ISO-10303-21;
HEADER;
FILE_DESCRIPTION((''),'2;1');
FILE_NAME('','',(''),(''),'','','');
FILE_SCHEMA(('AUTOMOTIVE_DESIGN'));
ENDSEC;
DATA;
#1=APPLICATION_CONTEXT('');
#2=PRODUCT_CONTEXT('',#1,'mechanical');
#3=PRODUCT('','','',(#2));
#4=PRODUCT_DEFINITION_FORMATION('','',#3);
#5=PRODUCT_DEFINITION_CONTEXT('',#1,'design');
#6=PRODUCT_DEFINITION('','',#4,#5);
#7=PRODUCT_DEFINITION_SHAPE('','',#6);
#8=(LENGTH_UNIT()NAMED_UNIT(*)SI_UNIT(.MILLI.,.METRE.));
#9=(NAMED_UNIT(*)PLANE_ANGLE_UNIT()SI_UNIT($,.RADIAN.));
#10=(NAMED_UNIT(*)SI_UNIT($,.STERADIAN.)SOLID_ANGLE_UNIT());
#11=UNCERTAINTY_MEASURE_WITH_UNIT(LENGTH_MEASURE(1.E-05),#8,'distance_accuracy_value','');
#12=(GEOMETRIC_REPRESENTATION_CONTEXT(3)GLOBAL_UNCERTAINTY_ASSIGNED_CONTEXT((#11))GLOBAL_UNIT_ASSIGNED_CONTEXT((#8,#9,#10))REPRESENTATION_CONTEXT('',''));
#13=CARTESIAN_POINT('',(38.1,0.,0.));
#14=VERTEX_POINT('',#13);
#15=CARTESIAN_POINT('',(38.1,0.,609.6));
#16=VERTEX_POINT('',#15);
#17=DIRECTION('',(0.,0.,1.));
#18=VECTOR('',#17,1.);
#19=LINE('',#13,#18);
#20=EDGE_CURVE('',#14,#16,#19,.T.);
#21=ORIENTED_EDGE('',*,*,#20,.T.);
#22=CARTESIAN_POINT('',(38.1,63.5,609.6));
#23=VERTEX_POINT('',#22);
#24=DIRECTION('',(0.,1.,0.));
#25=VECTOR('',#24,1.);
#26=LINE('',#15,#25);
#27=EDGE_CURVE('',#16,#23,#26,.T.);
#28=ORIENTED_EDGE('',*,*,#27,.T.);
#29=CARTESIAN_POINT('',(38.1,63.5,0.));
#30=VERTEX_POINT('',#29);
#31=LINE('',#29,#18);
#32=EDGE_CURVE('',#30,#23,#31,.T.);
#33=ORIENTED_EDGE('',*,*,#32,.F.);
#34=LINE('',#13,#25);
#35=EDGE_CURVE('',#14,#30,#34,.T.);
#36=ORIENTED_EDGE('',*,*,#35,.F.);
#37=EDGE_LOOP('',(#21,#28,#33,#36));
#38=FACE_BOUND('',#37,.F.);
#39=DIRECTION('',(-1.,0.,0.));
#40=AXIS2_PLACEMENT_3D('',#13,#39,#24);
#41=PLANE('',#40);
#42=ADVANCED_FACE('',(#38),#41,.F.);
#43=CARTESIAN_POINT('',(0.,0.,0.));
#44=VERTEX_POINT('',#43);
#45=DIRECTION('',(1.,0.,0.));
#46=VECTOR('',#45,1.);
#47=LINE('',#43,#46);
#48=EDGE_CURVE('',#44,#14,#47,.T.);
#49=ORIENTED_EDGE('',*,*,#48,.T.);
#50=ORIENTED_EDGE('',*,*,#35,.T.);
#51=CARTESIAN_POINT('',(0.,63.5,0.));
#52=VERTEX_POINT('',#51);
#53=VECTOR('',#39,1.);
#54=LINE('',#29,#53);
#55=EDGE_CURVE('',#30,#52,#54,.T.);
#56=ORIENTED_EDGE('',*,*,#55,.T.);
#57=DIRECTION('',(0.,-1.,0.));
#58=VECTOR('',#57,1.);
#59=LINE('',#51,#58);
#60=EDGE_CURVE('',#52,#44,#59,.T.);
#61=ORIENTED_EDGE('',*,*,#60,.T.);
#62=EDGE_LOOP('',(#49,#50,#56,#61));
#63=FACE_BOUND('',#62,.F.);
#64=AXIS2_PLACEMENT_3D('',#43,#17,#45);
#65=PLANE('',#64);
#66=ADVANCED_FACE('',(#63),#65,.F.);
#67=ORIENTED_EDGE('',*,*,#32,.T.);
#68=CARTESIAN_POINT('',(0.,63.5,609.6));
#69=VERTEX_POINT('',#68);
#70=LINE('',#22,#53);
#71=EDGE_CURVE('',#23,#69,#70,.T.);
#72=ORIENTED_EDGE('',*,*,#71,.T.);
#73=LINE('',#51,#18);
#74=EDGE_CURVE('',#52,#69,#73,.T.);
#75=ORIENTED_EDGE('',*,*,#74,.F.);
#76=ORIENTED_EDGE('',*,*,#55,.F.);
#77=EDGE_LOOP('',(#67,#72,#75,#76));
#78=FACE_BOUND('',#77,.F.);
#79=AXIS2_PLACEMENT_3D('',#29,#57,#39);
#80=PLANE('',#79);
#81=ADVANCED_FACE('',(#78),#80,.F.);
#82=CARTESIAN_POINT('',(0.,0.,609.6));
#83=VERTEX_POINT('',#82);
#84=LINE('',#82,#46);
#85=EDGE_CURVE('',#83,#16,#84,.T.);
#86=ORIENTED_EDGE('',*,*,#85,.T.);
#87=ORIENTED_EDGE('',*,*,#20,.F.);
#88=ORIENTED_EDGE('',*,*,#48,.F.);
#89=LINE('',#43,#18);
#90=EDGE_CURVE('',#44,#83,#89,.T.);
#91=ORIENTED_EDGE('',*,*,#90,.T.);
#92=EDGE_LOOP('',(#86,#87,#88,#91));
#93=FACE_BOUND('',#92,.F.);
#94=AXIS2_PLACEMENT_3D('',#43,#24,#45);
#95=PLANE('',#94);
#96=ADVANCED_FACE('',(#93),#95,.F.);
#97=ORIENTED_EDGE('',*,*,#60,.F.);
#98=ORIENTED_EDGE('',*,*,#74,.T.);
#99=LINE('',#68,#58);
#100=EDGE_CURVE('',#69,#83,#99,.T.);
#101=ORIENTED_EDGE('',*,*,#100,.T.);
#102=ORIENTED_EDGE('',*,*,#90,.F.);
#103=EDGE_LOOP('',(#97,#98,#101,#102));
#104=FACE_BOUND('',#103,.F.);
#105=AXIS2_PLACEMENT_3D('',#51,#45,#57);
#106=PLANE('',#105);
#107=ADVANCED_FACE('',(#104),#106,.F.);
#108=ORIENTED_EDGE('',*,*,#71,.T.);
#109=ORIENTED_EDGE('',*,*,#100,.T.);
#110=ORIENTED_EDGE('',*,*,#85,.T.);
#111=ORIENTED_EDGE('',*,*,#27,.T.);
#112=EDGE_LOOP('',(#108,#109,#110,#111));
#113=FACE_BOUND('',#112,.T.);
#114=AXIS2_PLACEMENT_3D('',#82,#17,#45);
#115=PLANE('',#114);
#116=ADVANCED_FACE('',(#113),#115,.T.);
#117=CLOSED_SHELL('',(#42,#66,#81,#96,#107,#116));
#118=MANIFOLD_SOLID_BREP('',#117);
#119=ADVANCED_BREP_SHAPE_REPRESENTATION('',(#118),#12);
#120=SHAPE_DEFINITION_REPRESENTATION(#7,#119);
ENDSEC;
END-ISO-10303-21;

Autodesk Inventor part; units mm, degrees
ref_plane "YZ Plane" through (0, 0, 0) normal (1, 0, 0) x (0, 1, 0)
ref_plane "XZ Plane" through (0, 0, 0) normal (0, 1, 0) x (-1, 0, 0)
ref_plane "XY Plane" through (0, 0, 0) normal (0, 0, 1) x (1, 0, 0)
sketch "Sketch1" plane through (0, 0, 0) normal (0, 0, 1) x (1, 0, 0)
  line L0 (0, 0) -> (38.1, 0)
  line L1 (38.1, 0) -> (38.1, 63.5)
  line L2 (38.1, 63.5) -> (0, 63.5)
  line L3 (0, 63.5) -> (0, 0)
  dimension "d0" = 38.1
  dimension "d1" = 63.5
extrude "Extrusion1" add sketch "Sketch1" along normal blind 609.6
properties part number "Table Frame Side 1" material "Wood (Birch)"
